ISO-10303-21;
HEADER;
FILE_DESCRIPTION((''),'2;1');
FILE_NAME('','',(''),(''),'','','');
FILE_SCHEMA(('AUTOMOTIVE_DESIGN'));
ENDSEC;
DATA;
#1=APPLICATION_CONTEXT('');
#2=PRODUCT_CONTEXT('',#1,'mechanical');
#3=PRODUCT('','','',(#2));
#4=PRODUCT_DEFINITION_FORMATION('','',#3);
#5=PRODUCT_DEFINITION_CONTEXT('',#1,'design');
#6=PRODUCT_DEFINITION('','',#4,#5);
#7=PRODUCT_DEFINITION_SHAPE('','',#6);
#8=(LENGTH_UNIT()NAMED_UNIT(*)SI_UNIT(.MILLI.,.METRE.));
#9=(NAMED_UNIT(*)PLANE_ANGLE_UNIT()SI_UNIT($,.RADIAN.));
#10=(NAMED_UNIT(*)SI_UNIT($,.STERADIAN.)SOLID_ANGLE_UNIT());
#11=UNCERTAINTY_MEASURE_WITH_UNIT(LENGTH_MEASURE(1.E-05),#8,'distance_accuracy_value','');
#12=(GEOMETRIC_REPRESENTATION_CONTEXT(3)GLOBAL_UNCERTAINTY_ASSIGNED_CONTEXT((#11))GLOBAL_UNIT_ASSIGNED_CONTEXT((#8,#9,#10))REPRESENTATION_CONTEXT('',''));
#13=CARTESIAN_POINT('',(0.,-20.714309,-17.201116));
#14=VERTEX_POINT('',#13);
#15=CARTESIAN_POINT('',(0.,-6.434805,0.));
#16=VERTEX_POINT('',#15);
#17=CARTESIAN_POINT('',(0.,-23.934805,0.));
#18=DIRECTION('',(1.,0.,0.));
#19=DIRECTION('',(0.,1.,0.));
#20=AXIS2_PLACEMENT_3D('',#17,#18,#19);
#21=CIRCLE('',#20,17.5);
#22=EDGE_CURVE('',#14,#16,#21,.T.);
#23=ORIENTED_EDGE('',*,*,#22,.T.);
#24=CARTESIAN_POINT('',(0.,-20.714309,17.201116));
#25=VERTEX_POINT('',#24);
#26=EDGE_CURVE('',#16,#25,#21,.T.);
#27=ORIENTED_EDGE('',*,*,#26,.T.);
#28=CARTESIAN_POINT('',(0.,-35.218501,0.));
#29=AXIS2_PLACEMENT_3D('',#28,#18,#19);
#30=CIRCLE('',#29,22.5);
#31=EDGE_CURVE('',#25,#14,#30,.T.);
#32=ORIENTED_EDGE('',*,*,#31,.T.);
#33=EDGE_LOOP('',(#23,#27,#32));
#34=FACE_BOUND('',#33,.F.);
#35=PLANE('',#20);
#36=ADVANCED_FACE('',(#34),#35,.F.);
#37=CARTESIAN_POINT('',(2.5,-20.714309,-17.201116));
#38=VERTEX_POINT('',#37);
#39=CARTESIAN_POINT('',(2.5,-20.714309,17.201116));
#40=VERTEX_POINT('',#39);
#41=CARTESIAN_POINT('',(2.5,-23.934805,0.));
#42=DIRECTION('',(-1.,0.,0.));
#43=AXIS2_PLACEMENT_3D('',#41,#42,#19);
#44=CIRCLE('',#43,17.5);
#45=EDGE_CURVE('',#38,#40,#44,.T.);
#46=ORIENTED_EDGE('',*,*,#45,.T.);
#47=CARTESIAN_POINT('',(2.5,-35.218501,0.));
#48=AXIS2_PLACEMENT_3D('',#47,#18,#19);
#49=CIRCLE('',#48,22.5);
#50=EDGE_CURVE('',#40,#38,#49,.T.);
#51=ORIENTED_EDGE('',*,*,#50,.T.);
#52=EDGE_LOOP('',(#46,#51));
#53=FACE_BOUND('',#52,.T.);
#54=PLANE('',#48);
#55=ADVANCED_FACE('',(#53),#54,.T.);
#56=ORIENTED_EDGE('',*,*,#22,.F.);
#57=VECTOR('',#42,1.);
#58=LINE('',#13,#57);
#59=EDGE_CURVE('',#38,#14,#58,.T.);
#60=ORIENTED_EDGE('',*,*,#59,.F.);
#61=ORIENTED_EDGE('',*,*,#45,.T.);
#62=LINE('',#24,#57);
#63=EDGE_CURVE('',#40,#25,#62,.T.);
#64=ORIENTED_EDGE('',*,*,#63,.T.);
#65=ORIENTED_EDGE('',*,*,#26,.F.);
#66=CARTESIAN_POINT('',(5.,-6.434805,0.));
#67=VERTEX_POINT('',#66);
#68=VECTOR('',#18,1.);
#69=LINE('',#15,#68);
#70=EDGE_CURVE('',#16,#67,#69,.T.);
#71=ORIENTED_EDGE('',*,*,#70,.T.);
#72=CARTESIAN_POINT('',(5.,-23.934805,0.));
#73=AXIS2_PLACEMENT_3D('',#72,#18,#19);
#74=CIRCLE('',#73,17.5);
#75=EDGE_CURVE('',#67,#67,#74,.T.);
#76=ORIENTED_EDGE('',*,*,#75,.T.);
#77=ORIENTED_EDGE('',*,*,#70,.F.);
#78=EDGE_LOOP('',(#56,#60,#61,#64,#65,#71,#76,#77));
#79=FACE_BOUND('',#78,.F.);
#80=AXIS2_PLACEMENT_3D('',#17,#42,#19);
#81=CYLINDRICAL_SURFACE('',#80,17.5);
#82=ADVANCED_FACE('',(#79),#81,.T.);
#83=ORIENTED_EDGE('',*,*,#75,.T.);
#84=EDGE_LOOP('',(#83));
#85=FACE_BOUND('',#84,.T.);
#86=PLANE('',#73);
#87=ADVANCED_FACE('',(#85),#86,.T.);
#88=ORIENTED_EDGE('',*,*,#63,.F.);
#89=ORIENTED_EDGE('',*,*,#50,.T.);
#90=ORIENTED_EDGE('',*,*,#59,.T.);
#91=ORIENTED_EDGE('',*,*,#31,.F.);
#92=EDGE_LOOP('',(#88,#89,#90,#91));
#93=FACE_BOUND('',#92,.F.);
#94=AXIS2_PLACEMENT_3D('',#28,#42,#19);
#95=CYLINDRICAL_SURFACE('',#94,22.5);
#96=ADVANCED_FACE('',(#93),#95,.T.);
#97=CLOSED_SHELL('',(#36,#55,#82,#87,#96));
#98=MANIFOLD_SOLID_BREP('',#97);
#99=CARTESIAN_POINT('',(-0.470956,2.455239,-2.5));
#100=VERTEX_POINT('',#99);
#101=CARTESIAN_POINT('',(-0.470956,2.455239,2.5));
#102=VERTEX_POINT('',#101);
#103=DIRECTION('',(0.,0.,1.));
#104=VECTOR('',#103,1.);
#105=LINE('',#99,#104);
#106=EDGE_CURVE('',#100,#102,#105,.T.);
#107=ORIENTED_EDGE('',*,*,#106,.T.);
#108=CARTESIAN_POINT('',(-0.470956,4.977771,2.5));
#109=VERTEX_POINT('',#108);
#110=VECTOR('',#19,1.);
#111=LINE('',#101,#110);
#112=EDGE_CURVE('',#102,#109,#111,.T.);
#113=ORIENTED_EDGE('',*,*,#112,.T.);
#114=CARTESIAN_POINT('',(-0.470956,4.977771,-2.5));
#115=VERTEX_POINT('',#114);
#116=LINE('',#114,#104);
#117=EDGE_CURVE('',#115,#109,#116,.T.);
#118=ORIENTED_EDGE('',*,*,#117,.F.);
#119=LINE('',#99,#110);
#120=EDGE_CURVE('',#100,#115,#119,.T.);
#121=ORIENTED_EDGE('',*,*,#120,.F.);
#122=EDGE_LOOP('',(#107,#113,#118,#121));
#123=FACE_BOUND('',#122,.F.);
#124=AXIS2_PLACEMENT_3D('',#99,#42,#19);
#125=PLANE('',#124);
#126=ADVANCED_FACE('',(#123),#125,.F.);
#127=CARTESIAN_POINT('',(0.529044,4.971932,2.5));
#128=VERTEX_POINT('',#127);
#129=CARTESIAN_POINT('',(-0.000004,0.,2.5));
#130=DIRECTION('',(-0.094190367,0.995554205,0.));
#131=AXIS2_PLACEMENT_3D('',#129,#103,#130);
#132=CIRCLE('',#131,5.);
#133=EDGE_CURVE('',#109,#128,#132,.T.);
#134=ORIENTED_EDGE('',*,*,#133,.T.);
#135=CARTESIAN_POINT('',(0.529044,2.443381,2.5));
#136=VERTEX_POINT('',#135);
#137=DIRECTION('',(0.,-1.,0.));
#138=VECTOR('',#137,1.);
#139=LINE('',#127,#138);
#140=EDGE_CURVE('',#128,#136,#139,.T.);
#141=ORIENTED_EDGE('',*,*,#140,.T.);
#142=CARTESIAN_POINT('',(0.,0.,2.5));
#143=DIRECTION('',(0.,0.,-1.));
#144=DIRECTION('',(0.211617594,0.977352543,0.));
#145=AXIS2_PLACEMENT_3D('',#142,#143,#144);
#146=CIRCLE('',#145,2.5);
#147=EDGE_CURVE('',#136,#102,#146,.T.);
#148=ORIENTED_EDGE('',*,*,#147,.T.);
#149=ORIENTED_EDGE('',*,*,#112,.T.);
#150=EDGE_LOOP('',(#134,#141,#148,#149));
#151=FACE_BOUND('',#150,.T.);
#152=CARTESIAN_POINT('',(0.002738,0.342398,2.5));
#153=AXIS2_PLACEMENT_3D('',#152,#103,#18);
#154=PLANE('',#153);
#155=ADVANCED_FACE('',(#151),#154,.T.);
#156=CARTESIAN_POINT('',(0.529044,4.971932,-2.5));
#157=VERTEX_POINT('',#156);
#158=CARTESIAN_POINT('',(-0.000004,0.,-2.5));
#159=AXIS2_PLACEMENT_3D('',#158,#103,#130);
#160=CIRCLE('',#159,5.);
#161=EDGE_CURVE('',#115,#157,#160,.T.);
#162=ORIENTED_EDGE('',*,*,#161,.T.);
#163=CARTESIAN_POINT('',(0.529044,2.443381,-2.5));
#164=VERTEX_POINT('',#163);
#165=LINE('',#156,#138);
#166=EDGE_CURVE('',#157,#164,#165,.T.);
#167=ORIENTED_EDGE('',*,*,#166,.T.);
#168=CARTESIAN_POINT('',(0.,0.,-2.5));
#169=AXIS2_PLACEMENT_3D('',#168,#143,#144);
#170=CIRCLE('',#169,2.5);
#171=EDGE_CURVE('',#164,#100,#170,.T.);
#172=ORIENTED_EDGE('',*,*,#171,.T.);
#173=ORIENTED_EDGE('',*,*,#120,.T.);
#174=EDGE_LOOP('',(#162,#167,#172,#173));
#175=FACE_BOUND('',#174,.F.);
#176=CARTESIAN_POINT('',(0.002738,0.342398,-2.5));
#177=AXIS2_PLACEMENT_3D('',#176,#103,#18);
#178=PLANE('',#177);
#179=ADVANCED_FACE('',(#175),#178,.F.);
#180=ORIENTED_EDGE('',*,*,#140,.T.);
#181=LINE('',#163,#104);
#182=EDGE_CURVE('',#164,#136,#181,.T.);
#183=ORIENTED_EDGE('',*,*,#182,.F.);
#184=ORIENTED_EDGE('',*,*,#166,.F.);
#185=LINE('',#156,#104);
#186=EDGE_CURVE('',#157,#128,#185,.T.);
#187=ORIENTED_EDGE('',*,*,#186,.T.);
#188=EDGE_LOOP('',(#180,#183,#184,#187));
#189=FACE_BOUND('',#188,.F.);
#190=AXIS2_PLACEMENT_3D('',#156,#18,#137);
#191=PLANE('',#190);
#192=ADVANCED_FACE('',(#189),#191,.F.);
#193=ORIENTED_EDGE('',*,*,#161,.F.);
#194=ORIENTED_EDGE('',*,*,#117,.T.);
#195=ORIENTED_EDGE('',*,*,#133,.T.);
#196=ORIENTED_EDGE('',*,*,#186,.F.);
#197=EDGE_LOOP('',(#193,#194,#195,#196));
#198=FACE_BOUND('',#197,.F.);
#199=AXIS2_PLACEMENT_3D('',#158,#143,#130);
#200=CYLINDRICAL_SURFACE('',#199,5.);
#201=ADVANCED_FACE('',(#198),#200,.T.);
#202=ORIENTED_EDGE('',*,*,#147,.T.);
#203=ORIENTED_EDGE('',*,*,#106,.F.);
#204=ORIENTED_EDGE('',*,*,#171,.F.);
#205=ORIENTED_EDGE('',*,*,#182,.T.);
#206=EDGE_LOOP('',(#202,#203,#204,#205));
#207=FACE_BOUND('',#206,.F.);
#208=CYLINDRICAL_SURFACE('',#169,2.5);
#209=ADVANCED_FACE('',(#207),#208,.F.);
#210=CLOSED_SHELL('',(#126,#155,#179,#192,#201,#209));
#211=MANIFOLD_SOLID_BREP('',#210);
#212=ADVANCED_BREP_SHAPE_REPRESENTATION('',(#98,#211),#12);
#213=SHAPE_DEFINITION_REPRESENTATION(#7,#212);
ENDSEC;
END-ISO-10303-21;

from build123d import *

# Parameters (mm, degrees)
F1_DEPTH = 5
F3_R     = 17.5
F5_DEPTH = 5
F4_R     = 22.5
F6_DEPTH = 2.5


with BuildPart() as f1:
    # F0 (on Top) → F1 (new body)
    with BuildSketch(Plane.XY):
        with BuildLine():
            Line((-0.470956, 2.455239), (-0.470956, 4.977771))
            ThreePointArc((-0.470956, 4.977771), (-0.02919, -4.999915), (0.529044, 4.971932))
            Line((0.529044, 4.971932), (0.529044, 2.443381))
            ThreePointArc((0.529044, 2.443381), (-0.029643, -2.499824), (-0.470956, 2.455239))
        make_face()
    extrude(amount=F1_DEPTH)


with BuildPart() as f1_1:
    # F2: moved
    add(f1.part.moved(Location((0, 0, -2.5))))


with BuildPart() as f5:
    # F3 (on Right) → F5 (new body)
    with BuildSketch(Plane.YZ):
        with Locations((-23.934805, 0)):
            Circle(F3_R)
    extrude(amount=F5_DEPTH)

    # F4 (on Right) → F6 (join)
    with BuildSketch(Plane.YZ):
        with Locations((-35.218501, 0)):
            Circle(F4_R)
    extrude(amount=F6_DEPTH)


solid = Compound([f1_1.part, f5.part])
